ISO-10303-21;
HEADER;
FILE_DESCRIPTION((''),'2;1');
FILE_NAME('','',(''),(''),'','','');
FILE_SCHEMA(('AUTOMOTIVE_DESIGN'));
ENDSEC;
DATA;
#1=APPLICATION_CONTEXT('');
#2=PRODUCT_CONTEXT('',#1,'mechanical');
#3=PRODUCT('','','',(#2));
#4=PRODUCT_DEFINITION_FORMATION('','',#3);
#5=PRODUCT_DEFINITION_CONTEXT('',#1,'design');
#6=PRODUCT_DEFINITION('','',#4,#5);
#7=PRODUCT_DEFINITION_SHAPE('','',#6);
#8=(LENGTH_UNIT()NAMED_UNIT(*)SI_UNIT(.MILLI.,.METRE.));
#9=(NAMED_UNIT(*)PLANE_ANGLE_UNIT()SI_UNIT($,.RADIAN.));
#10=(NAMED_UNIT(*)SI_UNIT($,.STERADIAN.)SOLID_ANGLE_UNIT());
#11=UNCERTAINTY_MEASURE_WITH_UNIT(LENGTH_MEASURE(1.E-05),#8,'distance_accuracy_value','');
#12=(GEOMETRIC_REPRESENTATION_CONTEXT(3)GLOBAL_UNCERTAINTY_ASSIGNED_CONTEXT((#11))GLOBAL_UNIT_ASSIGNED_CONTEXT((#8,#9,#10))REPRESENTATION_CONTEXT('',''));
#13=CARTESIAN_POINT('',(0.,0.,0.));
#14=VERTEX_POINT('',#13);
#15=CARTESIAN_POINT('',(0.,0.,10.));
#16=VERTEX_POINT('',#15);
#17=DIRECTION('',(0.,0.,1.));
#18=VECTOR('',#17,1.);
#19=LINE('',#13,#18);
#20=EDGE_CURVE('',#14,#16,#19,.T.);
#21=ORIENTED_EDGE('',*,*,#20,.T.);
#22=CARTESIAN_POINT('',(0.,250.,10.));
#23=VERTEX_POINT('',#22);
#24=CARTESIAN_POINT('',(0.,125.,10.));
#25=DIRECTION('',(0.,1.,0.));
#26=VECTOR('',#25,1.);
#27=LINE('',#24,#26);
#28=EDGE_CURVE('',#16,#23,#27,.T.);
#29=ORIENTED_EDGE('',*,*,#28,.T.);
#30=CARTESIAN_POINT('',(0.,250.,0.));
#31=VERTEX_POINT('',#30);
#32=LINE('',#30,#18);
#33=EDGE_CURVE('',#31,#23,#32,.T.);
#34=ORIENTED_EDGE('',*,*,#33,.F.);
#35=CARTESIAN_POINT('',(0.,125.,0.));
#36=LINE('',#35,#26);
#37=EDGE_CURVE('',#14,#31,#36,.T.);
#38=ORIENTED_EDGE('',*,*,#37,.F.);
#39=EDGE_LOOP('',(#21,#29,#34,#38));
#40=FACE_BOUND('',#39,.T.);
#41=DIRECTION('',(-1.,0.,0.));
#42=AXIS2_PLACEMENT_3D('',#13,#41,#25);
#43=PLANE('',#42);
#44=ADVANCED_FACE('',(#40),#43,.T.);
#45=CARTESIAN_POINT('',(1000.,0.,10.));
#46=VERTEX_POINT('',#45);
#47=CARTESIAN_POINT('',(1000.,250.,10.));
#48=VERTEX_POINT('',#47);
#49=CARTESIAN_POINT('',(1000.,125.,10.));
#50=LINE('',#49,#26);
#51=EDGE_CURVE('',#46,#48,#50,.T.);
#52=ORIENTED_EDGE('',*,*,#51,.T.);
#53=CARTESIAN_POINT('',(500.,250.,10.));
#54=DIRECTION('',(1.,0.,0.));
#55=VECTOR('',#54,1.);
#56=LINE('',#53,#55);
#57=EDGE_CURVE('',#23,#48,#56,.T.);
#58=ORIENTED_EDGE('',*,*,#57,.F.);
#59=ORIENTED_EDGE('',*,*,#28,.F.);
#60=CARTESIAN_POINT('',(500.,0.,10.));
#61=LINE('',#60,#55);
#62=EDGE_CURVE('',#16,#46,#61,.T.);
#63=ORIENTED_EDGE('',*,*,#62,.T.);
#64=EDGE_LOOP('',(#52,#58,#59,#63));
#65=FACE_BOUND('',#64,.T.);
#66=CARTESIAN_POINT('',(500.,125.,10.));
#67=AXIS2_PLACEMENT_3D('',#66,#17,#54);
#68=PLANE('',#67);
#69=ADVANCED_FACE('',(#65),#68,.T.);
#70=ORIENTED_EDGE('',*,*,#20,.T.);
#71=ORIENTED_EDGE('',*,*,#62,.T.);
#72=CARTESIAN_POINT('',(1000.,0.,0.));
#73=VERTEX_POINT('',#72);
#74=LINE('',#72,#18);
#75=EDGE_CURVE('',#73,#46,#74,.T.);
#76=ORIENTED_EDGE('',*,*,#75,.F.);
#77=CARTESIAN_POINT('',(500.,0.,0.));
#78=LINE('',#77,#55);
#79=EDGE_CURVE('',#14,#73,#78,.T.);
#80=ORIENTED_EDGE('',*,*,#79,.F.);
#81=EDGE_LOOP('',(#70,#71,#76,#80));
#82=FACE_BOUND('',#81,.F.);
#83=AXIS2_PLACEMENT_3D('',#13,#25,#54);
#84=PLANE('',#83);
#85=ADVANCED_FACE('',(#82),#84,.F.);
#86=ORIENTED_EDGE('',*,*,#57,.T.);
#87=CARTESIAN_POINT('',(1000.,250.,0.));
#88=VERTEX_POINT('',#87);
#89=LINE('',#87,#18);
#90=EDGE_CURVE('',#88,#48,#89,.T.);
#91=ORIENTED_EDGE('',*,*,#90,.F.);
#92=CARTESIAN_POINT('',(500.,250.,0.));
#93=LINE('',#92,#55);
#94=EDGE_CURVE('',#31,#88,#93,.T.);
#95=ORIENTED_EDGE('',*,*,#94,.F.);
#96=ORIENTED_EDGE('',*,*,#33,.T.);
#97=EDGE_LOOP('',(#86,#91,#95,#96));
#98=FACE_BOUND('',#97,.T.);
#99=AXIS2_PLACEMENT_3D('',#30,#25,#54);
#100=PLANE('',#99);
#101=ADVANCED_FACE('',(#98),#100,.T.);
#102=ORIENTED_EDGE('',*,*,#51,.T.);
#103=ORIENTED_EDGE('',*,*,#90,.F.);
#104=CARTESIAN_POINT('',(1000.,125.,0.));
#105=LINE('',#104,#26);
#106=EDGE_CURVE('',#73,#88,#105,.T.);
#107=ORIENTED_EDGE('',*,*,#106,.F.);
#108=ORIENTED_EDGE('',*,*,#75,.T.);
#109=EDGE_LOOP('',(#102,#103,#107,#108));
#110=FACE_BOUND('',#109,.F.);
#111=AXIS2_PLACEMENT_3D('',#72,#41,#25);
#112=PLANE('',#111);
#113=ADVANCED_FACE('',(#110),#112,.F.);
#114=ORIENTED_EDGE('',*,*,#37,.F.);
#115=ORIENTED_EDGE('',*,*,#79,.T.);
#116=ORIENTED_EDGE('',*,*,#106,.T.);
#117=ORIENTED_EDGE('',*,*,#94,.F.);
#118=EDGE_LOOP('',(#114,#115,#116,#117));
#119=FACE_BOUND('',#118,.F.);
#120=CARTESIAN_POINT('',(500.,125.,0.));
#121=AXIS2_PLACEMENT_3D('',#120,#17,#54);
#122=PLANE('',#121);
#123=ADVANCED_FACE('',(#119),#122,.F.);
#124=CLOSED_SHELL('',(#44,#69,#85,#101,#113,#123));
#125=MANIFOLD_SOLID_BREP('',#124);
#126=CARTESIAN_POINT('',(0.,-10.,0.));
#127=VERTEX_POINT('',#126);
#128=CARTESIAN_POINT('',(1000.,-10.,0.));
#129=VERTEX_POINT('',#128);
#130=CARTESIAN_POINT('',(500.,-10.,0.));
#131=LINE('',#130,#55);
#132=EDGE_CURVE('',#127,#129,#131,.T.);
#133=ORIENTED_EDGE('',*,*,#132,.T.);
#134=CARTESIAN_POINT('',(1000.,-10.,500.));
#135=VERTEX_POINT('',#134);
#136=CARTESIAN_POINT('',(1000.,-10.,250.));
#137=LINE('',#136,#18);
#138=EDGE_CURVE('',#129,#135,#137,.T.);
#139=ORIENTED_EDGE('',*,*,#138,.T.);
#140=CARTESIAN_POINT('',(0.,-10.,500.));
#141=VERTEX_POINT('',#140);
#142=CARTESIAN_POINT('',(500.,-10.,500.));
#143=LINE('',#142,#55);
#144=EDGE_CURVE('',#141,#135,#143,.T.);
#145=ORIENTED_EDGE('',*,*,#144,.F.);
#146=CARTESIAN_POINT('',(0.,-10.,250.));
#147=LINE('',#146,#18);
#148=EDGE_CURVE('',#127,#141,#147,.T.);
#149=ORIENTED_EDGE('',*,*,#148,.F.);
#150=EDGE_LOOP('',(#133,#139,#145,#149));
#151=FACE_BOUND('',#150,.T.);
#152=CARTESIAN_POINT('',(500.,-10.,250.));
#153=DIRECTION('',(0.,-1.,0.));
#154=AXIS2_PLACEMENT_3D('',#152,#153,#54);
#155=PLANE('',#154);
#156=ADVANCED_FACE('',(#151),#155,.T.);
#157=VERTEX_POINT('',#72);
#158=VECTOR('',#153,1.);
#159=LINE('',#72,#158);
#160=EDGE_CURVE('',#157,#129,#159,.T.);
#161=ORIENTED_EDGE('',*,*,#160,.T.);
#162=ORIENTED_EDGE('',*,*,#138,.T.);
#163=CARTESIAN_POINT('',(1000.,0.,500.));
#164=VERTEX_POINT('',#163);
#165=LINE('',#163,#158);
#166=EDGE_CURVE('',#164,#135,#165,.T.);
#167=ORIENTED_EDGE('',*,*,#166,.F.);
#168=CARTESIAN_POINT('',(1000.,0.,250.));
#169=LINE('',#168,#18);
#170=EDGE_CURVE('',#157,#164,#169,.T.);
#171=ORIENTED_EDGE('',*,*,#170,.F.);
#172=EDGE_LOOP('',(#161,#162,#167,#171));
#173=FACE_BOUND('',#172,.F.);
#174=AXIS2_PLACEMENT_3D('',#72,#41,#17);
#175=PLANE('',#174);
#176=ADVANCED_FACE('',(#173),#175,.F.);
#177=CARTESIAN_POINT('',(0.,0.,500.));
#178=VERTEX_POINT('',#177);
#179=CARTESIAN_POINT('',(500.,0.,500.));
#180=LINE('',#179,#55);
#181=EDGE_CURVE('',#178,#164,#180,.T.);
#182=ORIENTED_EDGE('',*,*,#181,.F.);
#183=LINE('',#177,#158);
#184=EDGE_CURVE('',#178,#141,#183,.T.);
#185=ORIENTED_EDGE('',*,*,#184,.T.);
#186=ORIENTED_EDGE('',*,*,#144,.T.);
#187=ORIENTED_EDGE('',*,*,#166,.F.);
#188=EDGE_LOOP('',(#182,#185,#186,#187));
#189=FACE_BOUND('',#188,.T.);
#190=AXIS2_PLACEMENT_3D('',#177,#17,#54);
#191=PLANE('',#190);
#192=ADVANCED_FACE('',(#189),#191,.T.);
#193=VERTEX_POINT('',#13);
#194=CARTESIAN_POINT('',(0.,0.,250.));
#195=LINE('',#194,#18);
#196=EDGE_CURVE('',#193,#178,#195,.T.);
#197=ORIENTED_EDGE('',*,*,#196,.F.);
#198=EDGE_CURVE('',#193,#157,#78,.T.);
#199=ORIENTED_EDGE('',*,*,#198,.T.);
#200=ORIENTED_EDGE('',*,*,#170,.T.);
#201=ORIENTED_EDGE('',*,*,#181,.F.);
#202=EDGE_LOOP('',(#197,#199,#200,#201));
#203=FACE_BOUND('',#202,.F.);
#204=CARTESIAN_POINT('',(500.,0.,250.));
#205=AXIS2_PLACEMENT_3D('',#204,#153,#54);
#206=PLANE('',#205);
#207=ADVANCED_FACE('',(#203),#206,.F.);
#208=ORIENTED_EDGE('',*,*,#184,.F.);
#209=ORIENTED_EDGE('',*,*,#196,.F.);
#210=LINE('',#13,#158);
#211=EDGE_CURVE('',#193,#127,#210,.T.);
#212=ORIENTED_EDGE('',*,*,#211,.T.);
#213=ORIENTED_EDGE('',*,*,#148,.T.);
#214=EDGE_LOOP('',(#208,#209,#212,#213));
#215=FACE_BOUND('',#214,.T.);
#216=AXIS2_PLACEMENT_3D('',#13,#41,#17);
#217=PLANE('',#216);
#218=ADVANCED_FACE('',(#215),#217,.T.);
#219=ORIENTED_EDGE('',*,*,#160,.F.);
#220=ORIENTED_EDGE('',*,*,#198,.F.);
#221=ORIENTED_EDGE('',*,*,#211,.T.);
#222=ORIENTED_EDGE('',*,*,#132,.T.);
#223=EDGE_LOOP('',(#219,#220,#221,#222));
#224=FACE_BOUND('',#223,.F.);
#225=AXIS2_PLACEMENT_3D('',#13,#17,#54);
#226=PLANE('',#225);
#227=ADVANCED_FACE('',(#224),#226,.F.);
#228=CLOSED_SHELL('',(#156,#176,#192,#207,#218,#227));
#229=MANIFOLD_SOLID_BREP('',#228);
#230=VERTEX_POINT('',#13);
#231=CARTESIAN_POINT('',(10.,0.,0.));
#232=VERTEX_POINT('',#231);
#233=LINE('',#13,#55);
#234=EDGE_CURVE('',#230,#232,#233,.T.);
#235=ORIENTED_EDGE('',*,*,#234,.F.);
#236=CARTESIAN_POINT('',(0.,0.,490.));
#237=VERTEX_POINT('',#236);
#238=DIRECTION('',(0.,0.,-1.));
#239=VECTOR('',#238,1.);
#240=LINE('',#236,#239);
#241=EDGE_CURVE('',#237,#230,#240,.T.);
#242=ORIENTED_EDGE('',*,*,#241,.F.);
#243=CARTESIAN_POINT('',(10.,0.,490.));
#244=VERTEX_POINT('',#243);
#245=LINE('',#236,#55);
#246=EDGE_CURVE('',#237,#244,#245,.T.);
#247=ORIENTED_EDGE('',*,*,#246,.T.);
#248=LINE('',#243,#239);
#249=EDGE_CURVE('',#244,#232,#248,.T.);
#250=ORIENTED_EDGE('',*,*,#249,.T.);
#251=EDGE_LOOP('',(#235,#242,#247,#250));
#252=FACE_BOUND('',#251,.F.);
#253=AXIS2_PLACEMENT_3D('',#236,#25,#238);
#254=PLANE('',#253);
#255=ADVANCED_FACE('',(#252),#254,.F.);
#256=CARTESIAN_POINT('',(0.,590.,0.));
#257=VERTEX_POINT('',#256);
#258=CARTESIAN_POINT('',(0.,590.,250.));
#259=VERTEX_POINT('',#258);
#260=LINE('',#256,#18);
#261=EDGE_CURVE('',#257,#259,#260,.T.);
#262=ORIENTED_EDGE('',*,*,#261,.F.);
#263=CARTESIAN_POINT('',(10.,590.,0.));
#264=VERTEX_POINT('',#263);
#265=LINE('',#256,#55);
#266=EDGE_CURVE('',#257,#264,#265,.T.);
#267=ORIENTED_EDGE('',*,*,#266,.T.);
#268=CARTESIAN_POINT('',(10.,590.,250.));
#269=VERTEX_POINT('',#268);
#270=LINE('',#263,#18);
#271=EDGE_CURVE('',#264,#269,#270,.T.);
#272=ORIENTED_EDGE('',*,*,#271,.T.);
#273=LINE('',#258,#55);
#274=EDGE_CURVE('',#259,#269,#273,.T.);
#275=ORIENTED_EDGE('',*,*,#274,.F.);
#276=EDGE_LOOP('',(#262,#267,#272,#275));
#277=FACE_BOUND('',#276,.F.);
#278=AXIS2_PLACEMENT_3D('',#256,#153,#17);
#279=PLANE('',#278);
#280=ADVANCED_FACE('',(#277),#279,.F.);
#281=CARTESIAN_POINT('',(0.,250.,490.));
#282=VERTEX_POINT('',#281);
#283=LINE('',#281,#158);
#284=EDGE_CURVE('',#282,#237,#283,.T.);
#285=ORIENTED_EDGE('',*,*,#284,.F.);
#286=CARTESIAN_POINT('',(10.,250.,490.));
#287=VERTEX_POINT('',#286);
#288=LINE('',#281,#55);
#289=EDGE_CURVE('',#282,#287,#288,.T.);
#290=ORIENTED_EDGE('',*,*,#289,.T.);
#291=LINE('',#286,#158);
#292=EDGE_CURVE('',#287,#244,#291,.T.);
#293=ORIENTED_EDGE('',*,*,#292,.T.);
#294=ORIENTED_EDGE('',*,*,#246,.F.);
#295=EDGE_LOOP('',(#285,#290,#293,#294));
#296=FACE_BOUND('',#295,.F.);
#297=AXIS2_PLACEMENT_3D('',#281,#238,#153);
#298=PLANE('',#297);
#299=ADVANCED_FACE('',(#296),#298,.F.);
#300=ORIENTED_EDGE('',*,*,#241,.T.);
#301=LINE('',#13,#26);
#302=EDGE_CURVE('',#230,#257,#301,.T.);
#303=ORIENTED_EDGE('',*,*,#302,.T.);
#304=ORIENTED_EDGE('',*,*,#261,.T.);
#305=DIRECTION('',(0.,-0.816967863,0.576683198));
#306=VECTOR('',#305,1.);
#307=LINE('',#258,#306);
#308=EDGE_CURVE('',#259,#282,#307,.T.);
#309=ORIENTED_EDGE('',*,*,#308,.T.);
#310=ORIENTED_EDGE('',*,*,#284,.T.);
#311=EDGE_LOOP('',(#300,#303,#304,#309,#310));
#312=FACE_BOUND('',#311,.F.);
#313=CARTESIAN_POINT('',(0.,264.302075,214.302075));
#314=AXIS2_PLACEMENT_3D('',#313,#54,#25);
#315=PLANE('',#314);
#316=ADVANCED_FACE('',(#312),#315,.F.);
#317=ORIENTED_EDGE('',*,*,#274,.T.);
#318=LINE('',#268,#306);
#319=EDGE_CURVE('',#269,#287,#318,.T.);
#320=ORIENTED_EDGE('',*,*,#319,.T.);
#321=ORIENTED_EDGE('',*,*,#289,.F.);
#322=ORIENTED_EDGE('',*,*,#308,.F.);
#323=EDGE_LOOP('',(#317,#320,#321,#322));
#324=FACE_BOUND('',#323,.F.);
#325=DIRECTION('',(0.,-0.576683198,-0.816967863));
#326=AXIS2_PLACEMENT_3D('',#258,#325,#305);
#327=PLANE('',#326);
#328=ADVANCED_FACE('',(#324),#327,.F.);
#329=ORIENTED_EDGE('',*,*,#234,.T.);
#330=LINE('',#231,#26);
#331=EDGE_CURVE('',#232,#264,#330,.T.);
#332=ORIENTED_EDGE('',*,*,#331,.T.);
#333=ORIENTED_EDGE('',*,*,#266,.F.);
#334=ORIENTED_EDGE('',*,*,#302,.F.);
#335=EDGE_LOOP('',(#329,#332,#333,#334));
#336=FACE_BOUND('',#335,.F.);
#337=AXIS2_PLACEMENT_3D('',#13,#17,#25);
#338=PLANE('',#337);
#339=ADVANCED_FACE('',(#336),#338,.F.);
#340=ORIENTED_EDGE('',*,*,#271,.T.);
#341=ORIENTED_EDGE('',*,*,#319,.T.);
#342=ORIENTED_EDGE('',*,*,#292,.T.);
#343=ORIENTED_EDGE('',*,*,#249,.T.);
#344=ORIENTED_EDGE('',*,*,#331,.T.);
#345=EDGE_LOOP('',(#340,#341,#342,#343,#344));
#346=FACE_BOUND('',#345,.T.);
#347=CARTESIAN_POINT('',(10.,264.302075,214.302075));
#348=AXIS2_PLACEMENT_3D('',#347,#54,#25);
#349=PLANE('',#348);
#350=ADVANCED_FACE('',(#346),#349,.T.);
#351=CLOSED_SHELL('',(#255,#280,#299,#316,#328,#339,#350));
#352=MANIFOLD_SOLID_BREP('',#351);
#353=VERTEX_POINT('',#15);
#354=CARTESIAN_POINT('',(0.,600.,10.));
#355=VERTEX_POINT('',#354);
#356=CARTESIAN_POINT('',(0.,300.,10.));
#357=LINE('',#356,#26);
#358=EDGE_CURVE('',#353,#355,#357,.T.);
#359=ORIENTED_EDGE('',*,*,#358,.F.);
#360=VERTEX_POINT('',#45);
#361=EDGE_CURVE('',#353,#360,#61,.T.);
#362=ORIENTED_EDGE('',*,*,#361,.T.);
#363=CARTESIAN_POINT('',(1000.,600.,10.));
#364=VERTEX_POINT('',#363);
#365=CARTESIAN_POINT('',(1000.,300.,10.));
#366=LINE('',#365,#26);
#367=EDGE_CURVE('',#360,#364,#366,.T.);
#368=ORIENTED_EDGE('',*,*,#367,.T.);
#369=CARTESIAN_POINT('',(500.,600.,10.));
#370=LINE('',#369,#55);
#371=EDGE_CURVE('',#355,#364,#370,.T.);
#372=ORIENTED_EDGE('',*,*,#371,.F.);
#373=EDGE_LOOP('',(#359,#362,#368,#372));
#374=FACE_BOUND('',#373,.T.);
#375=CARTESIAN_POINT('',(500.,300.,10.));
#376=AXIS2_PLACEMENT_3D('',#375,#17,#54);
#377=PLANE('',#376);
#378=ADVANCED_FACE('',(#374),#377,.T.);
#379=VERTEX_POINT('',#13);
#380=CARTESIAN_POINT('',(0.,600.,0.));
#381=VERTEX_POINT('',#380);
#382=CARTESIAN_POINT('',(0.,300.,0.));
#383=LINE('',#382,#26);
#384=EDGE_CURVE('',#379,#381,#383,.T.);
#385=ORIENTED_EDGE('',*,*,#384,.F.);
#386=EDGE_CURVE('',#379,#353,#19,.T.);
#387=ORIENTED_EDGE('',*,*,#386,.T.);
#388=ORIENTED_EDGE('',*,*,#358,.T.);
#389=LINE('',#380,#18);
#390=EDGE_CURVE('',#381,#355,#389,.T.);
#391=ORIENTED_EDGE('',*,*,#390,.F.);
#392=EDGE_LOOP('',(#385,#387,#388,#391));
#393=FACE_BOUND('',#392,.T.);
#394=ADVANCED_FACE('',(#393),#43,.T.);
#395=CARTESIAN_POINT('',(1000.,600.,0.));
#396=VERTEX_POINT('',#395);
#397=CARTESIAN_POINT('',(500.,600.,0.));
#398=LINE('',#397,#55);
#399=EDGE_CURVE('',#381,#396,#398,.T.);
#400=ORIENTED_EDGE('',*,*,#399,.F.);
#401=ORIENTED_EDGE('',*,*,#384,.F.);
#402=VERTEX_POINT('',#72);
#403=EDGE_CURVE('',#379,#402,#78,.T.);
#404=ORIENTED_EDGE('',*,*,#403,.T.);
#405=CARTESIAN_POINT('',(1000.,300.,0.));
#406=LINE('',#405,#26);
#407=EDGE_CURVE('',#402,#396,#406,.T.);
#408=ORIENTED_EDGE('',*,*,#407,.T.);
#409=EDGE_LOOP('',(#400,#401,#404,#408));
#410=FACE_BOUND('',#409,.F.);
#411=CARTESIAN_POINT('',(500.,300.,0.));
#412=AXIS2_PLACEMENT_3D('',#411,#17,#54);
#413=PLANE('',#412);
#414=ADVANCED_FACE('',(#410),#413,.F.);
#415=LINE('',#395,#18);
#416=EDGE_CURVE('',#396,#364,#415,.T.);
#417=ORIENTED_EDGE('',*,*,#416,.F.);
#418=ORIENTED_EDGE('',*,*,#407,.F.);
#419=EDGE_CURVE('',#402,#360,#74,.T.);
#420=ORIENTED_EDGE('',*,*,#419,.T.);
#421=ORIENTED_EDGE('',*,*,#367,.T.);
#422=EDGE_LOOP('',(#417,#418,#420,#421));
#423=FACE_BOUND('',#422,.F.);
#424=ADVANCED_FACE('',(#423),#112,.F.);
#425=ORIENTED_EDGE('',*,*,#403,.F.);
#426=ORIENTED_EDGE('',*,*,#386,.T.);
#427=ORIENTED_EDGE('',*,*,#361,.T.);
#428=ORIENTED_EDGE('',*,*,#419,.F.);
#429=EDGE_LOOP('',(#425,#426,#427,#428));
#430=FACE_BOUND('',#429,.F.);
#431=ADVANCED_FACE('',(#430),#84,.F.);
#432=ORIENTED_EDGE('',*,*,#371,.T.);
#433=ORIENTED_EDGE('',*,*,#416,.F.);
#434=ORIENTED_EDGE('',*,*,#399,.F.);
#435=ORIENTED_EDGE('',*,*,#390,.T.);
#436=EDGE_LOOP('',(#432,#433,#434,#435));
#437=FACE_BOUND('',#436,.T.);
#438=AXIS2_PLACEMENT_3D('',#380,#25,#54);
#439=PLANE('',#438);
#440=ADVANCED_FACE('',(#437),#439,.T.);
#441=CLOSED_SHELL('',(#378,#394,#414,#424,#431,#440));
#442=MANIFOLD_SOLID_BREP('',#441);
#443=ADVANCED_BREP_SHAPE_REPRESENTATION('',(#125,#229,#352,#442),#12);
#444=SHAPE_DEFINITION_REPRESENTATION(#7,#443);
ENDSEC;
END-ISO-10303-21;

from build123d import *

# Parameters (mm, degrees)
F0_W     = 1000
F0_H     = 600
F1_DEPTH = 10
F2_W     = 1000
F2_H     = 500
F3_DEPTH = 10
F5_DEPTH = 10
F6_W     = 1000
F6_H     = 250
F7_DEPTH = 10


with BuildPart() as f1:
    # F0 (on Top) → F1 (new body)
    with BuildSketch(Plane.XY):
        with Locations((500, 300)):
            Rectangle(F0_W, F0_H)
    extrude(amount=F1_DEPTH)


with BuildPart() as f3:
    # F2 (on Front) → F3 (new body)
    with BuildSketch(Plane.XZ):
        with Locations((500, 250)):
            Rectangle(F2_W, F2_H)
    extrude(amount=F3_DEPTH)


with BuildPart() as f5:
    # F4 (on Right) → F5 (new body)
    with BuildSketch(Plane.YZ):
        Polygon((0, 490), (0, 0), (590, 0), (590, 250), (250, 490), align=None)
    extrude(amount=F5_DEPTH)


with BuildPart() as f7:
    # F6 (on Top) → F7 (new body)
    with BuildSketch(Plane.XY):
        with Locations((500, 125)):
            Rectangle(F6_W, F6_H)
    extrude(amount=F7_DEPTH)


solid = Compound([f1.part, f3.part, f5.part, f7.part])
